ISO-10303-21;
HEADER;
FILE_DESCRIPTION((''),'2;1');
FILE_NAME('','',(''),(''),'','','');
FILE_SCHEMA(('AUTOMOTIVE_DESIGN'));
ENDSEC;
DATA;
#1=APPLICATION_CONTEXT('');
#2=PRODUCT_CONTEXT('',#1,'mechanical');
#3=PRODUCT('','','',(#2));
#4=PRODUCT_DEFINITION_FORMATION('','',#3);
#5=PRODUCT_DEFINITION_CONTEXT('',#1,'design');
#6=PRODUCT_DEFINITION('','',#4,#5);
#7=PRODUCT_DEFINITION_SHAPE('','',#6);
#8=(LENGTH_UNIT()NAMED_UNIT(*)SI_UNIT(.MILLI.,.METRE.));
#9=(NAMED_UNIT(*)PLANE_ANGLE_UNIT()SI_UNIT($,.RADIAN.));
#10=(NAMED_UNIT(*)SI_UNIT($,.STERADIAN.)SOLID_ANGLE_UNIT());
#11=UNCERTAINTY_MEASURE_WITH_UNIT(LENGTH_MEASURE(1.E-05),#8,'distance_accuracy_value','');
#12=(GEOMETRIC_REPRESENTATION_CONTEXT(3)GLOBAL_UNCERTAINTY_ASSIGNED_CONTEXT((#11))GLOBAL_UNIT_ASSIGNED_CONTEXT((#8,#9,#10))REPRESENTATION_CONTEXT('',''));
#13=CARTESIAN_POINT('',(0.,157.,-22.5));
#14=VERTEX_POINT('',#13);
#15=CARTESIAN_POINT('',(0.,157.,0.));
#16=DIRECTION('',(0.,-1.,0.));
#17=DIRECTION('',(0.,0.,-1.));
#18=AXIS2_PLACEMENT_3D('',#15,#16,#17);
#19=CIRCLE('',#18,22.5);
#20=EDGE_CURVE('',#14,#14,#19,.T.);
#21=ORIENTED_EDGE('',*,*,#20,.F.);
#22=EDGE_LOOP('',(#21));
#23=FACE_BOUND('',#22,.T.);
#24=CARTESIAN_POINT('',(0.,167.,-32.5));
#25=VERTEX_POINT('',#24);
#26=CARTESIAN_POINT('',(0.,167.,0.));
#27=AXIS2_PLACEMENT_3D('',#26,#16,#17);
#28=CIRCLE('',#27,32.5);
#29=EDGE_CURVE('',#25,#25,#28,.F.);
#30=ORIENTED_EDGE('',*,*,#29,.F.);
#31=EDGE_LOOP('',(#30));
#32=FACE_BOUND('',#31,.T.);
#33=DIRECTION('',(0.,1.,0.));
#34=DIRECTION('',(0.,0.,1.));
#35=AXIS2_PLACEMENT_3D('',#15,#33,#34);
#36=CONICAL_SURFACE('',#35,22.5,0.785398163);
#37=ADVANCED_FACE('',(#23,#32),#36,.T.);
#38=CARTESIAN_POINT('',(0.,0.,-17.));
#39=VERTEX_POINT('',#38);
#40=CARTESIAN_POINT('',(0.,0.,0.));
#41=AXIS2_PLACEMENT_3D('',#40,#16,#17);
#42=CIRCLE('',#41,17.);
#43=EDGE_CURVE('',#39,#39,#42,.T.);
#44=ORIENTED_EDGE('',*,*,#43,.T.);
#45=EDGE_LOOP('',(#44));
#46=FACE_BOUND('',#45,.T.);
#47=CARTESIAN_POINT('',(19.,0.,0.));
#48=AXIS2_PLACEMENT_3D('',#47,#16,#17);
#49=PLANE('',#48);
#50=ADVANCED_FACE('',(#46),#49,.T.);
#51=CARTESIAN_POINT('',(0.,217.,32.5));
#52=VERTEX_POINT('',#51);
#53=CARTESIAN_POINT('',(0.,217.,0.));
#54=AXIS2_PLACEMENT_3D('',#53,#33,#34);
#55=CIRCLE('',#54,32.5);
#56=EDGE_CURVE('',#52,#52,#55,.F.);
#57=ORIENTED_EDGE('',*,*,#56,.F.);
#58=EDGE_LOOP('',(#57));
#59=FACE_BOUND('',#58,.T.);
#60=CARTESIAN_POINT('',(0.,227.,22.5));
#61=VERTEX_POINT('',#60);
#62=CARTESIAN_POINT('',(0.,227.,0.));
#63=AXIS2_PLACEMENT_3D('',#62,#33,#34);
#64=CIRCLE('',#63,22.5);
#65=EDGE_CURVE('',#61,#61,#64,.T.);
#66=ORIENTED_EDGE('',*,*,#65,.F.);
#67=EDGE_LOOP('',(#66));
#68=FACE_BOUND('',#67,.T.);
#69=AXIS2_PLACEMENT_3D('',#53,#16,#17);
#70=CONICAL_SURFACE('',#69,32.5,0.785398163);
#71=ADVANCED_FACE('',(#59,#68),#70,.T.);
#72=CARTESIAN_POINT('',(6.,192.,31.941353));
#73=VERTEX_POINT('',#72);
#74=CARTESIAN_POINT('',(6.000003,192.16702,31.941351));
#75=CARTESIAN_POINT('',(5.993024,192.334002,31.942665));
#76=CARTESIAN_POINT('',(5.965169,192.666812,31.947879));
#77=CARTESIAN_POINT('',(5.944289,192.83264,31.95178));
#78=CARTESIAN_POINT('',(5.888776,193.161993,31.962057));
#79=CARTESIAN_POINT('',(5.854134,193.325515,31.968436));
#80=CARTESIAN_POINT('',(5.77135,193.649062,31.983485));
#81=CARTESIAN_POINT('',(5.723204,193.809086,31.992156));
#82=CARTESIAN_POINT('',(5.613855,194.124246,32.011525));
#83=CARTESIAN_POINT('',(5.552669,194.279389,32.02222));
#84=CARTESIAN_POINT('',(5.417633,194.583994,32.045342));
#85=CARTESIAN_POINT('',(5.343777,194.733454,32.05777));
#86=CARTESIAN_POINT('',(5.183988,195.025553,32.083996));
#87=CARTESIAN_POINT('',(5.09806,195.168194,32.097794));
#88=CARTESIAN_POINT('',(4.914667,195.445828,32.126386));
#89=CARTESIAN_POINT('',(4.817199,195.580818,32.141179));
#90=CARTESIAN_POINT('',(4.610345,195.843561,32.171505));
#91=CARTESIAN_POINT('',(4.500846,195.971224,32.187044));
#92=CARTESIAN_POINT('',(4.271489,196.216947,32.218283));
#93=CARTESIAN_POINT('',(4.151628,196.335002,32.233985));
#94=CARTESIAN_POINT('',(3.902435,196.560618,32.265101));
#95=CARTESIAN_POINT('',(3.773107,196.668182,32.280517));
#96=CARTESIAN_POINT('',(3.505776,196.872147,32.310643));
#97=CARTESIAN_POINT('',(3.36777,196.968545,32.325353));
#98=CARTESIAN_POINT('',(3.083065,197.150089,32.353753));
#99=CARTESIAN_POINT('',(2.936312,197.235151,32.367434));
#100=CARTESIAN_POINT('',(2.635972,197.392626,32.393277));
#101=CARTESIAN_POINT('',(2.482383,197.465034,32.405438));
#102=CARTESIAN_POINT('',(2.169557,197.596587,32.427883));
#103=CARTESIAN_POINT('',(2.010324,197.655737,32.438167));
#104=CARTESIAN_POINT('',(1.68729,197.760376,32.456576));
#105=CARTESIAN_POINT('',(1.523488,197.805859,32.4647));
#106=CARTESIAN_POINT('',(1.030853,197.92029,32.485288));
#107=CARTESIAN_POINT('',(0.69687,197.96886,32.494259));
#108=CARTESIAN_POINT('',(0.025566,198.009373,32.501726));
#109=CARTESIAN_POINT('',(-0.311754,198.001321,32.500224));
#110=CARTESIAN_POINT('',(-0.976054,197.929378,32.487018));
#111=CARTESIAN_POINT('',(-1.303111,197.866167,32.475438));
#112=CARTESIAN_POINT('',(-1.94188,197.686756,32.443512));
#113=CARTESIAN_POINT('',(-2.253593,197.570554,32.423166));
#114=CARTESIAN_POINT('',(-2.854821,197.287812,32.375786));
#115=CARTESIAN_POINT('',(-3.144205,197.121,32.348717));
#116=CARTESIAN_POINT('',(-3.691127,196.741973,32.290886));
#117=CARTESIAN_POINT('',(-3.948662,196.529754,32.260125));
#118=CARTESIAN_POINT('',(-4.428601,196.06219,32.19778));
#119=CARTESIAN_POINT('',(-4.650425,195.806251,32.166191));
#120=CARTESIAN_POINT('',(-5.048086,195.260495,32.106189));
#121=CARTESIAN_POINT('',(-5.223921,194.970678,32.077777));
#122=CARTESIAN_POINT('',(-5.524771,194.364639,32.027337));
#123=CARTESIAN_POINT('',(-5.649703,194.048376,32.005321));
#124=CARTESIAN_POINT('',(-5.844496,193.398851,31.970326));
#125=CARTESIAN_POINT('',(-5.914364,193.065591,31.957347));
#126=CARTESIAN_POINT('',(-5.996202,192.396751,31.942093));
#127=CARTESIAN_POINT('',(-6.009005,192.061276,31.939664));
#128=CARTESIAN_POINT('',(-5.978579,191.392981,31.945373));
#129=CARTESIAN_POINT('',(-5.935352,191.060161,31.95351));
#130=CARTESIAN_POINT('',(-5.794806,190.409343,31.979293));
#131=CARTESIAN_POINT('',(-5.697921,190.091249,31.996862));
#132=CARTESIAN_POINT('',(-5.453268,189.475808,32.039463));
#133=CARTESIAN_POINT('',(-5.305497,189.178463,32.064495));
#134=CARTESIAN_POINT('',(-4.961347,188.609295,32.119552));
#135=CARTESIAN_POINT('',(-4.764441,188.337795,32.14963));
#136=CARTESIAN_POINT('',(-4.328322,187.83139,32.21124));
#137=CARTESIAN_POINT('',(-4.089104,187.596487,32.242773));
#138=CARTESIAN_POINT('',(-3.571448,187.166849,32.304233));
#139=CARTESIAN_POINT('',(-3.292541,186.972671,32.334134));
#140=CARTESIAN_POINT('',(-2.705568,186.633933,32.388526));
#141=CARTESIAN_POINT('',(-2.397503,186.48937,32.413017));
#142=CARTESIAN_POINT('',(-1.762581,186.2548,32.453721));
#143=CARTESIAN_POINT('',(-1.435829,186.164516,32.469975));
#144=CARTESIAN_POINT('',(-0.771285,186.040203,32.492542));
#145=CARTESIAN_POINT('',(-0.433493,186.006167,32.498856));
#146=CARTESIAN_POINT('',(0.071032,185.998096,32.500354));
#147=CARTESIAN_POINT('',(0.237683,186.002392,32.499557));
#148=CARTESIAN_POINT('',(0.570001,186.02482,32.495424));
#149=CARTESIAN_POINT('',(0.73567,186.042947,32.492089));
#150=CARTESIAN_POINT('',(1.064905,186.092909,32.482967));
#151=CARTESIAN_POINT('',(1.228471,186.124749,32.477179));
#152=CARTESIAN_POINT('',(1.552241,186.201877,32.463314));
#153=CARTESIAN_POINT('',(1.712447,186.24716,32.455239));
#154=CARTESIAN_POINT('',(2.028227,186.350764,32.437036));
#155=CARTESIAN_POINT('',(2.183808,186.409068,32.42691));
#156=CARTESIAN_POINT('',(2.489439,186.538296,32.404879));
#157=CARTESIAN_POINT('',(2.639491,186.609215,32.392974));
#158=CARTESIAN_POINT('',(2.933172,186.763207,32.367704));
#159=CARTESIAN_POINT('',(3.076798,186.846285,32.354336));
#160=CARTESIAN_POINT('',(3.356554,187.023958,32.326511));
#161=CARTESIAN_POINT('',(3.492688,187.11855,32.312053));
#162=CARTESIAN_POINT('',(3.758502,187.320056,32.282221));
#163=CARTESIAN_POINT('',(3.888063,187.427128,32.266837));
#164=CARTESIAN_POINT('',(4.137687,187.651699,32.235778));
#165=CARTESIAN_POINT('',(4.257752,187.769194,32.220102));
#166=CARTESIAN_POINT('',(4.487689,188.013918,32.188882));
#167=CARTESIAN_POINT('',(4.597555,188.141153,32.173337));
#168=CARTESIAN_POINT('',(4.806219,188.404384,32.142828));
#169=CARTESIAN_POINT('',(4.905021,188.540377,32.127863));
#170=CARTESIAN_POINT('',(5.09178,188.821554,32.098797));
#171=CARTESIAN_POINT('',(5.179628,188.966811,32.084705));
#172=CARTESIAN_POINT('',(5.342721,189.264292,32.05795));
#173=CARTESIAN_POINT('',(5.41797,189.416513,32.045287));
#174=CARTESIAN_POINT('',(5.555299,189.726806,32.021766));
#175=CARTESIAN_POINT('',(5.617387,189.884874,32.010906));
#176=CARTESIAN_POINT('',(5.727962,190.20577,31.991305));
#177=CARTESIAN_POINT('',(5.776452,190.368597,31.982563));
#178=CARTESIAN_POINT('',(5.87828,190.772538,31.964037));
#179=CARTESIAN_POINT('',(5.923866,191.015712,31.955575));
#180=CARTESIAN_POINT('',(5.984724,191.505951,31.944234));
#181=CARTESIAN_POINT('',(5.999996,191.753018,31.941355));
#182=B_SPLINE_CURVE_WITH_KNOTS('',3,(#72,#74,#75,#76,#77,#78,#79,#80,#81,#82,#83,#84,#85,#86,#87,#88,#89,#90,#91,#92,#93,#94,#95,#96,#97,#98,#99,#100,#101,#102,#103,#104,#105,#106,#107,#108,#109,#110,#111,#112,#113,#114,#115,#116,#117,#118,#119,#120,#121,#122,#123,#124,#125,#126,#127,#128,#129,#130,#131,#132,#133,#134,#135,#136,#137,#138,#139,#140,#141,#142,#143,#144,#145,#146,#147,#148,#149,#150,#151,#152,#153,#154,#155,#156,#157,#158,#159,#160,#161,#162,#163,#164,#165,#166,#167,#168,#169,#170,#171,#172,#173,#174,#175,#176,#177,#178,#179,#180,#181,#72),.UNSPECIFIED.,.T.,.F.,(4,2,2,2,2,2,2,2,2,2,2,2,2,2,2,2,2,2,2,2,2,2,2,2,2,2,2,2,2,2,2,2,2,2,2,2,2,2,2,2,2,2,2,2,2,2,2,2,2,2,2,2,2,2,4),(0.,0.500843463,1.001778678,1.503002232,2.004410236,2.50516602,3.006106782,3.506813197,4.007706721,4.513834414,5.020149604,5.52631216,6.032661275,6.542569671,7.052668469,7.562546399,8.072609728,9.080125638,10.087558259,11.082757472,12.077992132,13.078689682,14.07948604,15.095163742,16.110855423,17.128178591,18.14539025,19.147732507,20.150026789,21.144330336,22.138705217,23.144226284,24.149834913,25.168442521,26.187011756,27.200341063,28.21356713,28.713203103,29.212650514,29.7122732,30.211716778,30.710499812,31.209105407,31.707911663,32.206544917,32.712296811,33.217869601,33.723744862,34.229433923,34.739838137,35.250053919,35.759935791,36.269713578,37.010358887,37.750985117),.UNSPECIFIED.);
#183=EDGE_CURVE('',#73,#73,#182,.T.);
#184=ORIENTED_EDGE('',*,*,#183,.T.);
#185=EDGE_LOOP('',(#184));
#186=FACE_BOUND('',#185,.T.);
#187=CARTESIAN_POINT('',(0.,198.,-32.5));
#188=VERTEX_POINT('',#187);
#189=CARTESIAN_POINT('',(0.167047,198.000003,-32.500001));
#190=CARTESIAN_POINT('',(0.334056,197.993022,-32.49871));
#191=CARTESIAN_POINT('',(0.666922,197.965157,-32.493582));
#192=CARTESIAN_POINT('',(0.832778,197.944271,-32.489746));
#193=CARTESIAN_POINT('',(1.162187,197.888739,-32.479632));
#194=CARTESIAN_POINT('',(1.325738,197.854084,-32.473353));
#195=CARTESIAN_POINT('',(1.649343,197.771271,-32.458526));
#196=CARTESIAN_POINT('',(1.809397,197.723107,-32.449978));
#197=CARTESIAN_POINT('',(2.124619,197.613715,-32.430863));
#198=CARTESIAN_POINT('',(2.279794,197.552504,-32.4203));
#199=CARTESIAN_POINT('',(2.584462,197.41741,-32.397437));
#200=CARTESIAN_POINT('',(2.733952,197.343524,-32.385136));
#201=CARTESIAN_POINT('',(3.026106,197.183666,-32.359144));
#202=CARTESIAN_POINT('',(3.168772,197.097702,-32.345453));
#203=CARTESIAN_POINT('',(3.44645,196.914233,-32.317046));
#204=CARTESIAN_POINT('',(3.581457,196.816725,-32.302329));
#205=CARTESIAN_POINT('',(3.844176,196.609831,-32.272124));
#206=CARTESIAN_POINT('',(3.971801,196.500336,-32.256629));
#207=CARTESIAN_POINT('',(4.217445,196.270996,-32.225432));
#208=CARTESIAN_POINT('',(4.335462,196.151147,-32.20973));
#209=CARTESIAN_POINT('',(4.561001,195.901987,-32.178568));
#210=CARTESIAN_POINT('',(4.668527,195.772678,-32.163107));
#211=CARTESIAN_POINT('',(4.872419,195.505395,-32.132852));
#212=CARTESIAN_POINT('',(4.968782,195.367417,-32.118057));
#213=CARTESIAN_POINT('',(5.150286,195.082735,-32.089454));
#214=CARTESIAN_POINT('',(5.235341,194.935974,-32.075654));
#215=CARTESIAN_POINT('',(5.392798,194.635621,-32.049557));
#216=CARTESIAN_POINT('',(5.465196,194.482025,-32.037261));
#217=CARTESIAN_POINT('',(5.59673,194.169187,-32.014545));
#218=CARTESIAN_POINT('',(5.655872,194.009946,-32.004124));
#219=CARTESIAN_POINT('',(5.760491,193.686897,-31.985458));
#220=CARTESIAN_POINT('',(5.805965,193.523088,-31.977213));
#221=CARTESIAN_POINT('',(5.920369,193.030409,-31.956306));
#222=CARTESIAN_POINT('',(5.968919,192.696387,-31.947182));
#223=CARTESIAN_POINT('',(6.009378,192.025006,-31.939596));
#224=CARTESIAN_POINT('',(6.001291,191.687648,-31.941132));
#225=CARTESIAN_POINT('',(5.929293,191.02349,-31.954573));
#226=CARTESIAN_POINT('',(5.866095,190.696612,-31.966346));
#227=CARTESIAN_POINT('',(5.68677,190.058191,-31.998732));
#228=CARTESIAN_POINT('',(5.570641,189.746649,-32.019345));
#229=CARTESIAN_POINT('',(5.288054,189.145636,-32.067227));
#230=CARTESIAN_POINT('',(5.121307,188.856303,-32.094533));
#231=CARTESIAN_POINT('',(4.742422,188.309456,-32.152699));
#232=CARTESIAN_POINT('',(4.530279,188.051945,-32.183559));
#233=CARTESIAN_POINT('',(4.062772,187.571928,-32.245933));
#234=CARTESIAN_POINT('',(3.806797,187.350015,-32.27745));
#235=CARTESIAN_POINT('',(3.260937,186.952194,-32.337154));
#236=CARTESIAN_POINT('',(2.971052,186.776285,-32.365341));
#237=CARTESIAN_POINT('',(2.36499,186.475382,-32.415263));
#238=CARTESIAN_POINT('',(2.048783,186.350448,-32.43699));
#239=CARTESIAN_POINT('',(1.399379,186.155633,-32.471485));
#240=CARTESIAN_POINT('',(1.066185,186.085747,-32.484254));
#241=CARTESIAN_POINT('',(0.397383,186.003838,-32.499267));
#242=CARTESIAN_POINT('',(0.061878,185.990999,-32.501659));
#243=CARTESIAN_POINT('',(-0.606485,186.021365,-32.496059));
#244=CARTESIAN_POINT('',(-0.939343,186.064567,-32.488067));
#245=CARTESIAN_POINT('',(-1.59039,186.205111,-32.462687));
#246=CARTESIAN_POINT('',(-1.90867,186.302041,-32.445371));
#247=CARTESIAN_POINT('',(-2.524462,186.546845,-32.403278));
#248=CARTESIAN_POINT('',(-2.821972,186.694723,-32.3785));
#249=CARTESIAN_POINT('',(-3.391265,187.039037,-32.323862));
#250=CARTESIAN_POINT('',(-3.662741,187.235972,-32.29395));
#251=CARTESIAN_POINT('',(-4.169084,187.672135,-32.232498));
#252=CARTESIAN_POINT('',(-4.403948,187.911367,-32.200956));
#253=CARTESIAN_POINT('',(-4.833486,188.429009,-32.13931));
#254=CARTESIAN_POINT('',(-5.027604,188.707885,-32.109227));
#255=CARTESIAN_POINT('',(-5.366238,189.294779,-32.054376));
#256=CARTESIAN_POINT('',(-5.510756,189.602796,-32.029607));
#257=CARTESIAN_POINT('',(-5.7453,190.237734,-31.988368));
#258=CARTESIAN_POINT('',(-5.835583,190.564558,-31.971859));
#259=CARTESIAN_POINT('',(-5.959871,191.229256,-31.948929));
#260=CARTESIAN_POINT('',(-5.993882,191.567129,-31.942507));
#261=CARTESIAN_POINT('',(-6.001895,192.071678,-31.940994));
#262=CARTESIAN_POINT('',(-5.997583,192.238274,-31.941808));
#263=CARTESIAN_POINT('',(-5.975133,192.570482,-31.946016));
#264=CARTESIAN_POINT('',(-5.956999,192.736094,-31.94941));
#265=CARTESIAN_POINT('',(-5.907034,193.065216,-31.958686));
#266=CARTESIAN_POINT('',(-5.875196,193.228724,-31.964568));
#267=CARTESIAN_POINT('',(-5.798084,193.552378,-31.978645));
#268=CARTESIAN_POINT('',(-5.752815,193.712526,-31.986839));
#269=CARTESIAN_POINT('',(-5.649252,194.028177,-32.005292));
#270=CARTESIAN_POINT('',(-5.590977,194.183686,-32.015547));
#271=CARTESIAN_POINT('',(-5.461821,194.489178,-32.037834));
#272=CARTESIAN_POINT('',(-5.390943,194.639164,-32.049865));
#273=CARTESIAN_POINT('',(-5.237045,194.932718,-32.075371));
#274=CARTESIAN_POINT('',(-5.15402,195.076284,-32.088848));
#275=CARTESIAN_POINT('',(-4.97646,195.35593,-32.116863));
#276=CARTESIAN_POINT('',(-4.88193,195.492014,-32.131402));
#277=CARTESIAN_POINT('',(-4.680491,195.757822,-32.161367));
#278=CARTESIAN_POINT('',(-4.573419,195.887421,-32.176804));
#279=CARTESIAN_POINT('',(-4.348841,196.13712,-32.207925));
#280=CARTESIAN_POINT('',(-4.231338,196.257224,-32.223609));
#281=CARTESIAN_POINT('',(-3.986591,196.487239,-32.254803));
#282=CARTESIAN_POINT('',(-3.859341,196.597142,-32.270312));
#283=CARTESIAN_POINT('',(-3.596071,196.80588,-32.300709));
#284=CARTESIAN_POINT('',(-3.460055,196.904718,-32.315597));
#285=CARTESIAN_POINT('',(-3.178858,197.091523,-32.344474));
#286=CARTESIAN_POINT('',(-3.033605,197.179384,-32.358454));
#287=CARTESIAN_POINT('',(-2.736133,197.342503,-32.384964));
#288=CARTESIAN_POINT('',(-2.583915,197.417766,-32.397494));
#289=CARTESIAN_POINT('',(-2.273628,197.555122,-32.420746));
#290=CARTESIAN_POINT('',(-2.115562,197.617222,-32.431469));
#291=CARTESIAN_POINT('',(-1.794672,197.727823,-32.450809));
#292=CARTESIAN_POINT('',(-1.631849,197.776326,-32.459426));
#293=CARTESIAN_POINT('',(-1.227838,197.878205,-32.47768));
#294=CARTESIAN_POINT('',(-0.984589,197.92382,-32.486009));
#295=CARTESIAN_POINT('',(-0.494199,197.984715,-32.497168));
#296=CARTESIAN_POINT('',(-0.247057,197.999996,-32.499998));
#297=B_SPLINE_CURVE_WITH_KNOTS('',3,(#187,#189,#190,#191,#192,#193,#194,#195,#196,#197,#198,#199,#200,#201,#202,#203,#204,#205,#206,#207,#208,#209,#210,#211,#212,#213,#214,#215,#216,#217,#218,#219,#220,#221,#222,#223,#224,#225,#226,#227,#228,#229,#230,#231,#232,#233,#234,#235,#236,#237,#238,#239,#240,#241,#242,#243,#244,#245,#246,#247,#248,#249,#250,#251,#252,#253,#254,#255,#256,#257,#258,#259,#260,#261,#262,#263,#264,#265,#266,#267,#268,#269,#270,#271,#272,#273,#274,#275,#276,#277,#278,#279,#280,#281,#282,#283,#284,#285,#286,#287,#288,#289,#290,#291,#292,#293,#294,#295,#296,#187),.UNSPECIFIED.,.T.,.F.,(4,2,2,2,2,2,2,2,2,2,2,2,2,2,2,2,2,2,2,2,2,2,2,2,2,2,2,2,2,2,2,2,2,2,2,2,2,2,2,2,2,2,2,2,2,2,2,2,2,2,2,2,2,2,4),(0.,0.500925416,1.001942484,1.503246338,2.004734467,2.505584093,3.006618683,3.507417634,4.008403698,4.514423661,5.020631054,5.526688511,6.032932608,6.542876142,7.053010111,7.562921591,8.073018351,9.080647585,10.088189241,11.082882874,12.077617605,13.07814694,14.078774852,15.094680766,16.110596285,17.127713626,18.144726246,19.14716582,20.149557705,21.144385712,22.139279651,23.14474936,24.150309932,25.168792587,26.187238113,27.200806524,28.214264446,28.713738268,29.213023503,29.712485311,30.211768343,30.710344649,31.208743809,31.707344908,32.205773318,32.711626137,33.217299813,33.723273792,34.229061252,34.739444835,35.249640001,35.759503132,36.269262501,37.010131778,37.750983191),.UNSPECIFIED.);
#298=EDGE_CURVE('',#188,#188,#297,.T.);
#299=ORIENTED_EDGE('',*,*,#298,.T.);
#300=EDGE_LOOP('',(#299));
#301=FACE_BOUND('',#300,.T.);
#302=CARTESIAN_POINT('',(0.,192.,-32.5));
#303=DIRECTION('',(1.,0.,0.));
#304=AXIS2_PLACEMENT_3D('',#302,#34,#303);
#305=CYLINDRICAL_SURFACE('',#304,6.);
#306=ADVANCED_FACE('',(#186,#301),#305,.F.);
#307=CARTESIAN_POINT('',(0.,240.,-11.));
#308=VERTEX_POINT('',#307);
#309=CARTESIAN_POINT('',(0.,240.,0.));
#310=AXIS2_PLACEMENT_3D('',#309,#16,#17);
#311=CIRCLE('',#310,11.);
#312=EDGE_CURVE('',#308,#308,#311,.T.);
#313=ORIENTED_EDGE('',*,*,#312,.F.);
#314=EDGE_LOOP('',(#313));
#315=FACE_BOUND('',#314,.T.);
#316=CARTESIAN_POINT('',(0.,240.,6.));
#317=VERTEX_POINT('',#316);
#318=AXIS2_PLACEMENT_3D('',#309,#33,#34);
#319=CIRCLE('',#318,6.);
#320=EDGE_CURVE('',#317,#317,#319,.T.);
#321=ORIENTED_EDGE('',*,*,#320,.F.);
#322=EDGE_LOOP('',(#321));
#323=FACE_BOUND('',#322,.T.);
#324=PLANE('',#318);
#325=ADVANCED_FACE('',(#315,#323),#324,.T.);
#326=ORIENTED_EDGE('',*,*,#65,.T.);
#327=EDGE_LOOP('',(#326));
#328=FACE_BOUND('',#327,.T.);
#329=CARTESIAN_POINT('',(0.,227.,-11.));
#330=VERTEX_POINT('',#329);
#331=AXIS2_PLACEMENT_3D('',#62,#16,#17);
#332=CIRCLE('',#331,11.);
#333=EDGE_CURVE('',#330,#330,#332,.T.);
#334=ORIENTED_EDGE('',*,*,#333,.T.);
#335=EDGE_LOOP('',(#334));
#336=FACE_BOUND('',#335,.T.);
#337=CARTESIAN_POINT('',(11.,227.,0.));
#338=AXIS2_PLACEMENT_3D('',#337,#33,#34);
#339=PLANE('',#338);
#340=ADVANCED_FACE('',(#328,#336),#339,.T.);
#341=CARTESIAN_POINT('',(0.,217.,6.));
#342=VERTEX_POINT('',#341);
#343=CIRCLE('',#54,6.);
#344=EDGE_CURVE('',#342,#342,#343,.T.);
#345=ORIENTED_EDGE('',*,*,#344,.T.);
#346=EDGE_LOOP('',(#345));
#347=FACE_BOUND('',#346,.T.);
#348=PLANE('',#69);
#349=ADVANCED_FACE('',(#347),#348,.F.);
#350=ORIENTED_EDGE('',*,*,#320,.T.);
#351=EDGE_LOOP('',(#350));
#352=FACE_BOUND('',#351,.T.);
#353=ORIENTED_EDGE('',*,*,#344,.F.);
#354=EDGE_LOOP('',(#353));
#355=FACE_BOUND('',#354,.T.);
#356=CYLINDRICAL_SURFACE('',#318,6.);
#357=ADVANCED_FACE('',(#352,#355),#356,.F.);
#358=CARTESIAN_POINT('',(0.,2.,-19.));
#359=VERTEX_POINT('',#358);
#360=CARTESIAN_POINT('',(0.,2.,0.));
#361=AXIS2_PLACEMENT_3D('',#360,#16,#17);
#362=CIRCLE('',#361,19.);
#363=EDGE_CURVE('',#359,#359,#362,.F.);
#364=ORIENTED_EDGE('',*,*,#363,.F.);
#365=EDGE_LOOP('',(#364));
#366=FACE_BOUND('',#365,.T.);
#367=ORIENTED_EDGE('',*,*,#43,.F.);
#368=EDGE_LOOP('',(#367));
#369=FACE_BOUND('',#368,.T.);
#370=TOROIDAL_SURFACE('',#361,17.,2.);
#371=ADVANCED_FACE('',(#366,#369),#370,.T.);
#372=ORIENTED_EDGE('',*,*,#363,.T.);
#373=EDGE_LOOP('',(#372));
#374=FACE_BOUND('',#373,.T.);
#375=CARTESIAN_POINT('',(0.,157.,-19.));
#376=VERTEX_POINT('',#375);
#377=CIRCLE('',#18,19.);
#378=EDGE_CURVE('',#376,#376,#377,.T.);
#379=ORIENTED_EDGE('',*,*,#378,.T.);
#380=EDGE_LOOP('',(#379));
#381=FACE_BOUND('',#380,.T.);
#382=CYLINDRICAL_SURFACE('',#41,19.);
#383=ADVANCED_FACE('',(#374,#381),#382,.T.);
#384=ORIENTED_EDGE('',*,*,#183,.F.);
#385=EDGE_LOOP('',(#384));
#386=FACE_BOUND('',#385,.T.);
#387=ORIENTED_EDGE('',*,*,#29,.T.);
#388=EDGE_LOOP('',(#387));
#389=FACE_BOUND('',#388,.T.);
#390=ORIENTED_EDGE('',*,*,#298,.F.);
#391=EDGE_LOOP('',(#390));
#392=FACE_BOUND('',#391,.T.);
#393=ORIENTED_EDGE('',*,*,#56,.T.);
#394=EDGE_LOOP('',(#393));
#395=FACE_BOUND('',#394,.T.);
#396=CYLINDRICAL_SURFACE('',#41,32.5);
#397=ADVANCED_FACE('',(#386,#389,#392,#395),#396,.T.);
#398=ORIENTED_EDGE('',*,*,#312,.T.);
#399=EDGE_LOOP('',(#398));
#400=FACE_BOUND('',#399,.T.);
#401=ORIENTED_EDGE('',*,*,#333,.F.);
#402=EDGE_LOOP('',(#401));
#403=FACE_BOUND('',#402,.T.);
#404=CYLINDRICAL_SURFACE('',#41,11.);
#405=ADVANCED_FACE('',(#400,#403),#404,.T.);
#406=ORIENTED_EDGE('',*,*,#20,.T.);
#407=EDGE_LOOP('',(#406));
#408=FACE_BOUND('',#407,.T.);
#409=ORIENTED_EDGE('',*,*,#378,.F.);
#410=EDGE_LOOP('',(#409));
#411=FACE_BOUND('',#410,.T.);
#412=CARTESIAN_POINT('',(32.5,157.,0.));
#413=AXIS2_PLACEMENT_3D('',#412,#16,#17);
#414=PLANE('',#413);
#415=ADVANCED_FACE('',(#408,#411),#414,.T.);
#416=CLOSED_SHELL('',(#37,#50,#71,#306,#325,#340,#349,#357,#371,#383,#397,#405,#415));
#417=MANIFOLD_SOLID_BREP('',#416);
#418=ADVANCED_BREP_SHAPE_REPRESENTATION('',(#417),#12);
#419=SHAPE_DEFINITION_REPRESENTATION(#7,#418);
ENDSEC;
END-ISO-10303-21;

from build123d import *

# Parameters (mm, degrees)
CHAMFER1_SIZE           = 10
FILLET1_R               = 2
HOLE1_D                 = 12
HOLE1_DEPTH             = 23
CUT_EXTRUDE1_DEPTH      = 245.361412666
CUT_EXTRUDE1_DEPTH_BACK = 245.361412666
SKETCH4_R               = 6


with BuildPart() as part:
    # Sketch1 → Revolve1 (revolve)
    with BuildSketch(Plane.XY, mode=Mode.PRIVATE) as revolve1_sk:
        Polygon((0, 0), (0, 240), (11, 240), (11, 227), (32.5, 227), (32.5, 157), (19, 157), (19, 0), align=None)
    revolve(revolve1_sk.sketch.rotate(Axis((0, 0, 0), (0, 1, 0)), 90), axis=Axis((0, 0, 0), (0, 1, 0)))

    # Chamfer1
    chamfer1_edges = [part.edges().sort_by_distance(p)[0] for p in [
        (0, 157, 32.5),
        (0, 227, 32.5),
    ]]
    chamfer(chamfer1_edges, length=CHAMFER1_SIZE)

    # Fillet1
    fillet1_edges = [part.edges().sort_by_distance(p)[0] for p in [
        (0, 0, 19),
    ]]
    fillet(fillet1_edges, radius=FILLET1_R)

    # Hole1
    with Locations(Plane(origin=(0, 240, 0), x_dir=(1, 0, 0), z_dir=(0, 1, 0))):
        with Locations((0, 0)):
            Hole(HOLE1_D / 2, depth=HOLE1_DEPTH)

    # Sketch4 → Cut-Extrude1 (cut, two sides: drawn at the far end of the back side and taken through both)
    with BuildSketch(Plane.XY.offset(-CUT_EXTRUDE1_DEPTH_BACK)):
        with Locations((0, 192)):
            Circle(SKETCH4_R)
    extrude(amount=CUT_EXTRUDE1_DEPTH + CUT_EXTRUDE1_DEPTH_BACK, mode=Mode.SUBTRACT)


solid = part.part
